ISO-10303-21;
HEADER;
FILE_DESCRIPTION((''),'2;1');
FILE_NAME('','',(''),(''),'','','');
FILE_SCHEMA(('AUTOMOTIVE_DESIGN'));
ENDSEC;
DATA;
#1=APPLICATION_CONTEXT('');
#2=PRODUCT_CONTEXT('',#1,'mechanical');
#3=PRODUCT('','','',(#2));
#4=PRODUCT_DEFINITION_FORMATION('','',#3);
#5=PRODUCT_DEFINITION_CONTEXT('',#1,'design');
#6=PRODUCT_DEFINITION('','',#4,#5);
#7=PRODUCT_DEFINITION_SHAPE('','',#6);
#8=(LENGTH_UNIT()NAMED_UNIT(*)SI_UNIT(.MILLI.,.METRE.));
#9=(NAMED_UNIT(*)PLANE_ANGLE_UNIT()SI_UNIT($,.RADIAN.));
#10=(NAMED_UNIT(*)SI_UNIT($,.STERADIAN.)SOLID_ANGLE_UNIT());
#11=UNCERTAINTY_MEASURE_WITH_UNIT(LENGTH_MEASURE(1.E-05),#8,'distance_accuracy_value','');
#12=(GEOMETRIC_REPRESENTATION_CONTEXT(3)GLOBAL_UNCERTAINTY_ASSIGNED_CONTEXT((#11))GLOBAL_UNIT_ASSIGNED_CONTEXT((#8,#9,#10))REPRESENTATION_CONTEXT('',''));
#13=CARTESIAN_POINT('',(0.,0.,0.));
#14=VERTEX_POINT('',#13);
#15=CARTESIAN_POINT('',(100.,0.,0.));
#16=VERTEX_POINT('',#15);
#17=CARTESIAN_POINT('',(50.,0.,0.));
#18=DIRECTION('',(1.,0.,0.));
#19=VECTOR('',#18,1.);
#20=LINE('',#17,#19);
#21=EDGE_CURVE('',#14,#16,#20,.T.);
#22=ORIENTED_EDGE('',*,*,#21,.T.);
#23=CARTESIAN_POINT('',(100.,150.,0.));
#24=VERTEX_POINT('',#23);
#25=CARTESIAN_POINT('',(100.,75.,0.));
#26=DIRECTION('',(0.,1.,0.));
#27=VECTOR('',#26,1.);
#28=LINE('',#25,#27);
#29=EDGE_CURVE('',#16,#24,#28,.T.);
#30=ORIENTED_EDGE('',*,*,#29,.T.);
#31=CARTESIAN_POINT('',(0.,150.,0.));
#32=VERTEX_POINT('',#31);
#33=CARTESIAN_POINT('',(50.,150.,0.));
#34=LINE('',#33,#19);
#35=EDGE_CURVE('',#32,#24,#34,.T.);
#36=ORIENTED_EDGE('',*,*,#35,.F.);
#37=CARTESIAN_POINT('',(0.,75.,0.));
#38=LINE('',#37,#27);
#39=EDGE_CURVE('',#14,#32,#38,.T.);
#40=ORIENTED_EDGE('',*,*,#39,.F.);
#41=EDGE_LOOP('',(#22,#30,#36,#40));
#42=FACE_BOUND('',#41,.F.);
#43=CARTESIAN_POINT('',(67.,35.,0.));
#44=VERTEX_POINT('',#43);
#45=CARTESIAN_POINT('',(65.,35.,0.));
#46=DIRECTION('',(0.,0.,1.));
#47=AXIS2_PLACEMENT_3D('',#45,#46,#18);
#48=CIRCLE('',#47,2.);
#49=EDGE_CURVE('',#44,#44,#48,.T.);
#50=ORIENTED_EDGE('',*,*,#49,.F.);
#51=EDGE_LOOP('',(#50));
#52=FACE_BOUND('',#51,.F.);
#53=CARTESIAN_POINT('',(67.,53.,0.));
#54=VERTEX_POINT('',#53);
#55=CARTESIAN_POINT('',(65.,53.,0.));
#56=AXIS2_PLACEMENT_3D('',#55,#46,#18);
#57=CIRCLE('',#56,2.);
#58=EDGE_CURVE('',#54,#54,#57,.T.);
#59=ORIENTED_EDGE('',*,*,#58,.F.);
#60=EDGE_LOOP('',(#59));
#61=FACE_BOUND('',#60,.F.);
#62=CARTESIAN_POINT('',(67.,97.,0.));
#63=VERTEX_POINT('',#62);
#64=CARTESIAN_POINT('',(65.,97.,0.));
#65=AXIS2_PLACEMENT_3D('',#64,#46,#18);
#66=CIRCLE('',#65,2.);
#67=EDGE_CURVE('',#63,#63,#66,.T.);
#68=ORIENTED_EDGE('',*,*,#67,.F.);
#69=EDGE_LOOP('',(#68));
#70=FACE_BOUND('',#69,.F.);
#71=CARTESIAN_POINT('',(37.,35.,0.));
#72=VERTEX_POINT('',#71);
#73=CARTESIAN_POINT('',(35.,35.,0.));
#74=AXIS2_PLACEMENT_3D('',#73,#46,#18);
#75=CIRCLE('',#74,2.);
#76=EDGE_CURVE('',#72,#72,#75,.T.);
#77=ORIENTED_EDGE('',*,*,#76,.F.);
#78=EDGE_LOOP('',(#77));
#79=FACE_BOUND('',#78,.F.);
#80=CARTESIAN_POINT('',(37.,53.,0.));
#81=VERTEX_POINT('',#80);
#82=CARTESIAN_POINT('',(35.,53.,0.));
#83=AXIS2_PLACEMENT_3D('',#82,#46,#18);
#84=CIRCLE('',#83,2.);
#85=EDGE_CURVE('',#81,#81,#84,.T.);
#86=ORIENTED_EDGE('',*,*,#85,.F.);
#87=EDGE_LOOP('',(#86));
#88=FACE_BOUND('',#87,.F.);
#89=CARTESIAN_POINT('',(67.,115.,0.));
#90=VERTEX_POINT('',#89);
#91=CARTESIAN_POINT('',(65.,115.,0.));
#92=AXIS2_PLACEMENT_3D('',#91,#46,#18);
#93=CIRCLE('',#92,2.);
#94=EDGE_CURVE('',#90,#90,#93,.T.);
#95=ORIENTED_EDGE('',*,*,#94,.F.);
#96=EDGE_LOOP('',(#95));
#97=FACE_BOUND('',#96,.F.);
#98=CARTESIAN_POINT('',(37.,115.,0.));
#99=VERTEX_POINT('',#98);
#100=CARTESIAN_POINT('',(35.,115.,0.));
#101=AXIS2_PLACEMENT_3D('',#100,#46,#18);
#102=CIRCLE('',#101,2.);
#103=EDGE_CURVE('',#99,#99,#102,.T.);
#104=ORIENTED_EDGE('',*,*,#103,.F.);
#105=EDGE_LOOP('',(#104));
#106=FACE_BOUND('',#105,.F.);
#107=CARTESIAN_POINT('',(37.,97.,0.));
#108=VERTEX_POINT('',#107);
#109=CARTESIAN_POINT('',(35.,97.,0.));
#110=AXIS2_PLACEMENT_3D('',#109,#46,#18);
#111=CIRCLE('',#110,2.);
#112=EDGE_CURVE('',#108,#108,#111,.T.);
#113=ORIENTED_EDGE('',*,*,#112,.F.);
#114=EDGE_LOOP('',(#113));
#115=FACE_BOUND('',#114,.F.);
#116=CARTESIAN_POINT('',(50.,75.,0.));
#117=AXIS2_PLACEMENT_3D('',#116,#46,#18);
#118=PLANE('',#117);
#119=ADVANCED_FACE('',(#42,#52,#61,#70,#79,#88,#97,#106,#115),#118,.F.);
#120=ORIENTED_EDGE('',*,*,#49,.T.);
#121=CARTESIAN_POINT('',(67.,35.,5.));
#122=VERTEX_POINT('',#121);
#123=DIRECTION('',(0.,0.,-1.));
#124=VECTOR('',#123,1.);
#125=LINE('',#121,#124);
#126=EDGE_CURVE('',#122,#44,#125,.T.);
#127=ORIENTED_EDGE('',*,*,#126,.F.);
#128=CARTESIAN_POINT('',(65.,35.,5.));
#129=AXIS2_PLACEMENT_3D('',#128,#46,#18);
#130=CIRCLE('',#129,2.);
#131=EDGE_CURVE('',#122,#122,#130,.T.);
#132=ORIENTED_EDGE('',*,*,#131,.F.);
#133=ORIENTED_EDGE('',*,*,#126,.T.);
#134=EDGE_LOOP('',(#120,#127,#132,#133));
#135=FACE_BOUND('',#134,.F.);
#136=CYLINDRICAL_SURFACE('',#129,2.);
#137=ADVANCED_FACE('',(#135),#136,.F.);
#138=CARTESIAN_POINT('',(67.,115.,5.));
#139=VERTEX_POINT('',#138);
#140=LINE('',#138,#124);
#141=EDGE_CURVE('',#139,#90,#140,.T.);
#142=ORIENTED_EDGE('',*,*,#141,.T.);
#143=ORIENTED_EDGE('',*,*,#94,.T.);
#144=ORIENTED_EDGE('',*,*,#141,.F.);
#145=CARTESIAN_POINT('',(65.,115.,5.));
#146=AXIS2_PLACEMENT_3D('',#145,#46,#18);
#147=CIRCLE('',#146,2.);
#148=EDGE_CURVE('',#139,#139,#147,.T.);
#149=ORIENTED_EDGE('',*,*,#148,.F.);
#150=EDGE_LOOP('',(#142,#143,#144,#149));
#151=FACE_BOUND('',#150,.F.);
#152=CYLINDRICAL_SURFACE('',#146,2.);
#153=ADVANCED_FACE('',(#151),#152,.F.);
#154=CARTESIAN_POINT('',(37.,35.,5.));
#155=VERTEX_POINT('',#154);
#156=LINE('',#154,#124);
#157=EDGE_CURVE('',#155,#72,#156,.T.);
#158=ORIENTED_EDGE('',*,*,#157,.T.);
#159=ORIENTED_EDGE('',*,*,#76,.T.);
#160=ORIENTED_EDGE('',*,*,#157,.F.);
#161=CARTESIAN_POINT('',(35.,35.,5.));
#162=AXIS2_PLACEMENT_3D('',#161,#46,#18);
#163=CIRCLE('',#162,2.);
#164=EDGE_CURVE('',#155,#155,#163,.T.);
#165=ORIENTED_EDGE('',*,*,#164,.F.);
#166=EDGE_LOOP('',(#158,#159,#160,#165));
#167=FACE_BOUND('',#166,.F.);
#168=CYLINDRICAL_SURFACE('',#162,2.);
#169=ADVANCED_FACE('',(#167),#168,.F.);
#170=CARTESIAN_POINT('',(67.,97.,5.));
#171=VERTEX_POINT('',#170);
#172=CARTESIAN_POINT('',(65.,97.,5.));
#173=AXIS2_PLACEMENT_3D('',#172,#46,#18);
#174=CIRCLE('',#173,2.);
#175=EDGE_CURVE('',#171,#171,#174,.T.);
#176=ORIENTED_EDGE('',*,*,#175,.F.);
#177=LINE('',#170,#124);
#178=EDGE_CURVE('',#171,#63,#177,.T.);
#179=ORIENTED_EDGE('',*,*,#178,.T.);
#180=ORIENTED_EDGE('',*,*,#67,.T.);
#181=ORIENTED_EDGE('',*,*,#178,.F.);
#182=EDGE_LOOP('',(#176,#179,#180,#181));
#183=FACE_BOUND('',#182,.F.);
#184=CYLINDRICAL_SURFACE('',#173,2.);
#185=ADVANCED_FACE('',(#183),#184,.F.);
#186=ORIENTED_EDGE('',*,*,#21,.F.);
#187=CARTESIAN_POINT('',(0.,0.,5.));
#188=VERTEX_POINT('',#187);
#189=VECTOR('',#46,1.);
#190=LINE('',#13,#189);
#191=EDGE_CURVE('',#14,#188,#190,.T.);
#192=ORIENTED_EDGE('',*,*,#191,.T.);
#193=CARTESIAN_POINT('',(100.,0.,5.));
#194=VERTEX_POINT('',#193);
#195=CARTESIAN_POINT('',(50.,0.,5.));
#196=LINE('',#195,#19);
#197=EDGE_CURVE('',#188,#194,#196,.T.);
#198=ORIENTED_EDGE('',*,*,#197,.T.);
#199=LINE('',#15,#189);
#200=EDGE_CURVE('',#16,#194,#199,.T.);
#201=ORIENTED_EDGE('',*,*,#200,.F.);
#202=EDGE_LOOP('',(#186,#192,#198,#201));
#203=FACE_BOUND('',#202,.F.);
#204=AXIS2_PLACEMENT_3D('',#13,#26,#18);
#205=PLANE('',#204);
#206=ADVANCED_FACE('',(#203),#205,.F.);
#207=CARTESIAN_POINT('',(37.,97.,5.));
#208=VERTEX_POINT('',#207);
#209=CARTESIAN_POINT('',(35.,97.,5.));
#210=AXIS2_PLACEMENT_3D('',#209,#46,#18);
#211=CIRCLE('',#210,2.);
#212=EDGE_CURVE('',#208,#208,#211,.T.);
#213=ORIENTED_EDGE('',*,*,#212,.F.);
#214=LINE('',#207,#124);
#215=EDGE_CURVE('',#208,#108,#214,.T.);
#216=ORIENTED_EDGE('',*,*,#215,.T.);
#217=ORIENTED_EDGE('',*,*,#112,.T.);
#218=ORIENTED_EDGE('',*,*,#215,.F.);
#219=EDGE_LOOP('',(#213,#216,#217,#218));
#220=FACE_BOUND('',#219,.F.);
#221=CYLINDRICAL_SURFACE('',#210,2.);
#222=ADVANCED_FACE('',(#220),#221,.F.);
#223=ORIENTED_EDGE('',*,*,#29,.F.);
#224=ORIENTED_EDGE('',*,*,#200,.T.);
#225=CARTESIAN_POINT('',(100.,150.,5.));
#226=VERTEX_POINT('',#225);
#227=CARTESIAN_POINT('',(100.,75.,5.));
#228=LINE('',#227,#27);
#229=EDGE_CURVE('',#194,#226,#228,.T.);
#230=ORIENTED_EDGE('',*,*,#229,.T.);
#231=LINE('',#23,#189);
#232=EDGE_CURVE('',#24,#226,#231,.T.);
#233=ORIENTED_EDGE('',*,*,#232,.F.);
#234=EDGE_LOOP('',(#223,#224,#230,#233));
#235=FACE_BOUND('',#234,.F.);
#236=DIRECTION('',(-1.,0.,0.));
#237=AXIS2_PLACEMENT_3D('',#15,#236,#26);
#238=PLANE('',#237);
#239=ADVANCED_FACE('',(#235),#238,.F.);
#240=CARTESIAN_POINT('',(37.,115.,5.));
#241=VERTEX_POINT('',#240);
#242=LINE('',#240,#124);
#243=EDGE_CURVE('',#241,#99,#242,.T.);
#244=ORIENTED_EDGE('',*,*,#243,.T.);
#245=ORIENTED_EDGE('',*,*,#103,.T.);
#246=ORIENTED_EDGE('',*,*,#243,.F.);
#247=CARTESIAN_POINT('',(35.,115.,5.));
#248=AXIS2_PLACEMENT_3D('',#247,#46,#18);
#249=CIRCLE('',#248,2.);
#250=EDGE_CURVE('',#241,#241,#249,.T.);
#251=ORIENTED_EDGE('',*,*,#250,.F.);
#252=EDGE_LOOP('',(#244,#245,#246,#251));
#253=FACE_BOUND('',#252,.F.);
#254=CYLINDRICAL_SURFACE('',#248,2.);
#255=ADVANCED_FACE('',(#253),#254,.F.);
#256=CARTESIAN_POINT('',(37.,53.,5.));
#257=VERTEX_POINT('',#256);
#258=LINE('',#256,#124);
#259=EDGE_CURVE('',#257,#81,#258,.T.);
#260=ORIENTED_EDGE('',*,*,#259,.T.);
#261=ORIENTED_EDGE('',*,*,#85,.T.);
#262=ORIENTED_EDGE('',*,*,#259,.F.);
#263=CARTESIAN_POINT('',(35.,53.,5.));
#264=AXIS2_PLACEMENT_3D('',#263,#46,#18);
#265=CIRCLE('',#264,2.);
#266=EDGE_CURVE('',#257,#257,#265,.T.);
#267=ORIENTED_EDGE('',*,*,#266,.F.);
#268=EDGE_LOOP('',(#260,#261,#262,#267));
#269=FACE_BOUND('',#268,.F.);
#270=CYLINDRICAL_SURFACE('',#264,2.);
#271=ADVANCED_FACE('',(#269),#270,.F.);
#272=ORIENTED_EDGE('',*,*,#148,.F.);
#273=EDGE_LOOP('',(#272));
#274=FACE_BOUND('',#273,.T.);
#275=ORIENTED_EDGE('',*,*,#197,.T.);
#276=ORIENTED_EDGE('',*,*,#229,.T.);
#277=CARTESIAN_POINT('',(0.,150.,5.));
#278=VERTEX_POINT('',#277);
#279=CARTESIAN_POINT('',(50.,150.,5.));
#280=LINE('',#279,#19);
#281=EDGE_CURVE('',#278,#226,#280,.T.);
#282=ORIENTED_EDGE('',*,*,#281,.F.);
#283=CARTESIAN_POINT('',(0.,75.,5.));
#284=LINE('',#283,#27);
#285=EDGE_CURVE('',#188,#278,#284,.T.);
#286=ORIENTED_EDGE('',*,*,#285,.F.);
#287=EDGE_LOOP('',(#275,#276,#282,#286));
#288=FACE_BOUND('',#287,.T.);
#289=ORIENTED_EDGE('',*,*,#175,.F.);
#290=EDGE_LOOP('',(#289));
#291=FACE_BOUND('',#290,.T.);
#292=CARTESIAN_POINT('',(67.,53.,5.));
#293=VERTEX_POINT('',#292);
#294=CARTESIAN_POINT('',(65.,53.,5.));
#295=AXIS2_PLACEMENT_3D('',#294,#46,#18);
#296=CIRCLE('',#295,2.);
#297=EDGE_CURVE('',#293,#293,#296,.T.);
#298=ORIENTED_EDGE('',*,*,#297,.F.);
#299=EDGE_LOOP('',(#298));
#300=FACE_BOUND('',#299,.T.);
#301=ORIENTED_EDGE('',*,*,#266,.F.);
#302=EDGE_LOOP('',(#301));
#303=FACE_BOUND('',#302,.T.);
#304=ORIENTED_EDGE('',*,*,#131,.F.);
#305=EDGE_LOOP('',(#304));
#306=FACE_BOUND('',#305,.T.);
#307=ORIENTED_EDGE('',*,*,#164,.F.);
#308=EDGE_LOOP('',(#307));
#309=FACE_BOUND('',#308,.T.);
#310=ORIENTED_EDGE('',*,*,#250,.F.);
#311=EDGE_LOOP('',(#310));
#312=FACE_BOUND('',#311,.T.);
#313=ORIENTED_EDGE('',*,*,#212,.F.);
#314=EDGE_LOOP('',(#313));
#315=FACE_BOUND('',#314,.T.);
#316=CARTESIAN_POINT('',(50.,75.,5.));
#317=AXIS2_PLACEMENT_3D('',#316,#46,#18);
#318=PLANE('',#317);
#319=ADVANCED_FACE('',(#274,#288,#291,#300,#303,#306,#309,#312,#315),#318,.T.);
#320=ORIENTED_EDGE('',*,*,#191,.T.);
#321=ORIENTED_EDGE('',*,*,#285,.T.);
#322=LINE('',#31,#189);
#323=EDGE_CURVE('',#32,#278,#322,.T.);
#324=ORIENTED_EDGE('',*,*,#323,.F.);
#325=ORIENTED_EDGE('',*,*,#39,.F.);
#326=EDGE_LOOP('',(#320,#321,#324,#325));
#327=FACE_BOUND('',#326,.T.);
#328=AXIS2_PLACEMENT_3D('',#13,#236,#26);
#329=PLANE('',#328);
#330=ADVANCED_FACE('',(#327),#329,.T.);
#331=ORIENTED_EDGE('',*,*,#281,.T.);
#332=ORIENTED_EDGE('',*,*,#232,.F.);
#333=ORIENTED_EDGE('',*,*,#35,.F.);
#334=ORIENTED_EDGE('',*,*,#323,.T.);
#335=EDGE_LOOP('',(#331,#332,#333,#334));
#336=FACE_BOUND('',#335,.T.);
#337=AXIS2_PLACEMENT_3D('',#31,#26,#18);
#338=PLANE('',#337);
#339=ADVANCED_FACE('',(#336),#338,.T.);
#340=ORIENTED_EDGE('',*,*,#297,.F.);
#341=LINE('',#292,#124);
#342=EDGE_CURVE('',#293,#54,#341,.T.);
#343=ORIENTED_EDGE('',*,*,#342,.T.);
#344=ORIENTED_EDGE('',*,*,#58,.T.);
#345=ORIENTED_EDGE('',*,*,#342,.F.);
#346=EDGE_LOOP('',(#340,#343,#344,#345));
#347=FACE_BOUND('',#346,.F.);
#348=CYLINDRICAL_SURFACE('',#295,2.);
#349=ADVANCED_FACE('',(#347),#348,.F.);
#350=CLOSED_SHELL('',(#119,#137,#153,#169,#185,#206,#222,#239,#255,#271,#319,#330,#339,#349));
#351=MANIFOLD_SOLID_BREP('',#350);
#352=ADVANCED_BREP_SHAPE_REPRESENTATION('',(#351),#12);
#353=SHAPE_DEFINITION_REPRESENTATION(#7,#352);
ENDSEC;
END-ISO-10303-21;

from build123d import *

# Parameters (mm, degrees)
F0_W     = 100
F0_H     = 150
F1_DEPTH = 5
F2_R     = 2
F3_DEPTH = 5.001


with BuildPart() as f1:
    # F0 (on Top) → F1 (new body)
    with BuildSketch(Plane.XY):
        with Locations((50, 75)):
            Rectangle(F0_W, F0_H)
    extrude(amount=F1_DEPTH)

    # F2 (on face) → F3 (cut, through all)
    with BuildSketch(Plane.XY.offset(5)):
        with Locations((35, 53)):
            Circle(F2_R)
        with Locations((65, 53)):
            Circle(F2_R)
        with Locations((35, 35)):
            Circle(F2_R)
        with Locations((65, 35)):
            Circle(F2_R)
        with Locations((35, 97)):
            Circle(F2_R)
        with Locations((35, 115)):
            Circle(F2_R)
        with Locations((65, 115)):
            Circle(F2_R)
        with Locations((65, 97)):
            Circle(F2_R)
    extrude(amount=-F3_DEPTH, mode=Mode.SUBTRACT)


solid = f1.part
